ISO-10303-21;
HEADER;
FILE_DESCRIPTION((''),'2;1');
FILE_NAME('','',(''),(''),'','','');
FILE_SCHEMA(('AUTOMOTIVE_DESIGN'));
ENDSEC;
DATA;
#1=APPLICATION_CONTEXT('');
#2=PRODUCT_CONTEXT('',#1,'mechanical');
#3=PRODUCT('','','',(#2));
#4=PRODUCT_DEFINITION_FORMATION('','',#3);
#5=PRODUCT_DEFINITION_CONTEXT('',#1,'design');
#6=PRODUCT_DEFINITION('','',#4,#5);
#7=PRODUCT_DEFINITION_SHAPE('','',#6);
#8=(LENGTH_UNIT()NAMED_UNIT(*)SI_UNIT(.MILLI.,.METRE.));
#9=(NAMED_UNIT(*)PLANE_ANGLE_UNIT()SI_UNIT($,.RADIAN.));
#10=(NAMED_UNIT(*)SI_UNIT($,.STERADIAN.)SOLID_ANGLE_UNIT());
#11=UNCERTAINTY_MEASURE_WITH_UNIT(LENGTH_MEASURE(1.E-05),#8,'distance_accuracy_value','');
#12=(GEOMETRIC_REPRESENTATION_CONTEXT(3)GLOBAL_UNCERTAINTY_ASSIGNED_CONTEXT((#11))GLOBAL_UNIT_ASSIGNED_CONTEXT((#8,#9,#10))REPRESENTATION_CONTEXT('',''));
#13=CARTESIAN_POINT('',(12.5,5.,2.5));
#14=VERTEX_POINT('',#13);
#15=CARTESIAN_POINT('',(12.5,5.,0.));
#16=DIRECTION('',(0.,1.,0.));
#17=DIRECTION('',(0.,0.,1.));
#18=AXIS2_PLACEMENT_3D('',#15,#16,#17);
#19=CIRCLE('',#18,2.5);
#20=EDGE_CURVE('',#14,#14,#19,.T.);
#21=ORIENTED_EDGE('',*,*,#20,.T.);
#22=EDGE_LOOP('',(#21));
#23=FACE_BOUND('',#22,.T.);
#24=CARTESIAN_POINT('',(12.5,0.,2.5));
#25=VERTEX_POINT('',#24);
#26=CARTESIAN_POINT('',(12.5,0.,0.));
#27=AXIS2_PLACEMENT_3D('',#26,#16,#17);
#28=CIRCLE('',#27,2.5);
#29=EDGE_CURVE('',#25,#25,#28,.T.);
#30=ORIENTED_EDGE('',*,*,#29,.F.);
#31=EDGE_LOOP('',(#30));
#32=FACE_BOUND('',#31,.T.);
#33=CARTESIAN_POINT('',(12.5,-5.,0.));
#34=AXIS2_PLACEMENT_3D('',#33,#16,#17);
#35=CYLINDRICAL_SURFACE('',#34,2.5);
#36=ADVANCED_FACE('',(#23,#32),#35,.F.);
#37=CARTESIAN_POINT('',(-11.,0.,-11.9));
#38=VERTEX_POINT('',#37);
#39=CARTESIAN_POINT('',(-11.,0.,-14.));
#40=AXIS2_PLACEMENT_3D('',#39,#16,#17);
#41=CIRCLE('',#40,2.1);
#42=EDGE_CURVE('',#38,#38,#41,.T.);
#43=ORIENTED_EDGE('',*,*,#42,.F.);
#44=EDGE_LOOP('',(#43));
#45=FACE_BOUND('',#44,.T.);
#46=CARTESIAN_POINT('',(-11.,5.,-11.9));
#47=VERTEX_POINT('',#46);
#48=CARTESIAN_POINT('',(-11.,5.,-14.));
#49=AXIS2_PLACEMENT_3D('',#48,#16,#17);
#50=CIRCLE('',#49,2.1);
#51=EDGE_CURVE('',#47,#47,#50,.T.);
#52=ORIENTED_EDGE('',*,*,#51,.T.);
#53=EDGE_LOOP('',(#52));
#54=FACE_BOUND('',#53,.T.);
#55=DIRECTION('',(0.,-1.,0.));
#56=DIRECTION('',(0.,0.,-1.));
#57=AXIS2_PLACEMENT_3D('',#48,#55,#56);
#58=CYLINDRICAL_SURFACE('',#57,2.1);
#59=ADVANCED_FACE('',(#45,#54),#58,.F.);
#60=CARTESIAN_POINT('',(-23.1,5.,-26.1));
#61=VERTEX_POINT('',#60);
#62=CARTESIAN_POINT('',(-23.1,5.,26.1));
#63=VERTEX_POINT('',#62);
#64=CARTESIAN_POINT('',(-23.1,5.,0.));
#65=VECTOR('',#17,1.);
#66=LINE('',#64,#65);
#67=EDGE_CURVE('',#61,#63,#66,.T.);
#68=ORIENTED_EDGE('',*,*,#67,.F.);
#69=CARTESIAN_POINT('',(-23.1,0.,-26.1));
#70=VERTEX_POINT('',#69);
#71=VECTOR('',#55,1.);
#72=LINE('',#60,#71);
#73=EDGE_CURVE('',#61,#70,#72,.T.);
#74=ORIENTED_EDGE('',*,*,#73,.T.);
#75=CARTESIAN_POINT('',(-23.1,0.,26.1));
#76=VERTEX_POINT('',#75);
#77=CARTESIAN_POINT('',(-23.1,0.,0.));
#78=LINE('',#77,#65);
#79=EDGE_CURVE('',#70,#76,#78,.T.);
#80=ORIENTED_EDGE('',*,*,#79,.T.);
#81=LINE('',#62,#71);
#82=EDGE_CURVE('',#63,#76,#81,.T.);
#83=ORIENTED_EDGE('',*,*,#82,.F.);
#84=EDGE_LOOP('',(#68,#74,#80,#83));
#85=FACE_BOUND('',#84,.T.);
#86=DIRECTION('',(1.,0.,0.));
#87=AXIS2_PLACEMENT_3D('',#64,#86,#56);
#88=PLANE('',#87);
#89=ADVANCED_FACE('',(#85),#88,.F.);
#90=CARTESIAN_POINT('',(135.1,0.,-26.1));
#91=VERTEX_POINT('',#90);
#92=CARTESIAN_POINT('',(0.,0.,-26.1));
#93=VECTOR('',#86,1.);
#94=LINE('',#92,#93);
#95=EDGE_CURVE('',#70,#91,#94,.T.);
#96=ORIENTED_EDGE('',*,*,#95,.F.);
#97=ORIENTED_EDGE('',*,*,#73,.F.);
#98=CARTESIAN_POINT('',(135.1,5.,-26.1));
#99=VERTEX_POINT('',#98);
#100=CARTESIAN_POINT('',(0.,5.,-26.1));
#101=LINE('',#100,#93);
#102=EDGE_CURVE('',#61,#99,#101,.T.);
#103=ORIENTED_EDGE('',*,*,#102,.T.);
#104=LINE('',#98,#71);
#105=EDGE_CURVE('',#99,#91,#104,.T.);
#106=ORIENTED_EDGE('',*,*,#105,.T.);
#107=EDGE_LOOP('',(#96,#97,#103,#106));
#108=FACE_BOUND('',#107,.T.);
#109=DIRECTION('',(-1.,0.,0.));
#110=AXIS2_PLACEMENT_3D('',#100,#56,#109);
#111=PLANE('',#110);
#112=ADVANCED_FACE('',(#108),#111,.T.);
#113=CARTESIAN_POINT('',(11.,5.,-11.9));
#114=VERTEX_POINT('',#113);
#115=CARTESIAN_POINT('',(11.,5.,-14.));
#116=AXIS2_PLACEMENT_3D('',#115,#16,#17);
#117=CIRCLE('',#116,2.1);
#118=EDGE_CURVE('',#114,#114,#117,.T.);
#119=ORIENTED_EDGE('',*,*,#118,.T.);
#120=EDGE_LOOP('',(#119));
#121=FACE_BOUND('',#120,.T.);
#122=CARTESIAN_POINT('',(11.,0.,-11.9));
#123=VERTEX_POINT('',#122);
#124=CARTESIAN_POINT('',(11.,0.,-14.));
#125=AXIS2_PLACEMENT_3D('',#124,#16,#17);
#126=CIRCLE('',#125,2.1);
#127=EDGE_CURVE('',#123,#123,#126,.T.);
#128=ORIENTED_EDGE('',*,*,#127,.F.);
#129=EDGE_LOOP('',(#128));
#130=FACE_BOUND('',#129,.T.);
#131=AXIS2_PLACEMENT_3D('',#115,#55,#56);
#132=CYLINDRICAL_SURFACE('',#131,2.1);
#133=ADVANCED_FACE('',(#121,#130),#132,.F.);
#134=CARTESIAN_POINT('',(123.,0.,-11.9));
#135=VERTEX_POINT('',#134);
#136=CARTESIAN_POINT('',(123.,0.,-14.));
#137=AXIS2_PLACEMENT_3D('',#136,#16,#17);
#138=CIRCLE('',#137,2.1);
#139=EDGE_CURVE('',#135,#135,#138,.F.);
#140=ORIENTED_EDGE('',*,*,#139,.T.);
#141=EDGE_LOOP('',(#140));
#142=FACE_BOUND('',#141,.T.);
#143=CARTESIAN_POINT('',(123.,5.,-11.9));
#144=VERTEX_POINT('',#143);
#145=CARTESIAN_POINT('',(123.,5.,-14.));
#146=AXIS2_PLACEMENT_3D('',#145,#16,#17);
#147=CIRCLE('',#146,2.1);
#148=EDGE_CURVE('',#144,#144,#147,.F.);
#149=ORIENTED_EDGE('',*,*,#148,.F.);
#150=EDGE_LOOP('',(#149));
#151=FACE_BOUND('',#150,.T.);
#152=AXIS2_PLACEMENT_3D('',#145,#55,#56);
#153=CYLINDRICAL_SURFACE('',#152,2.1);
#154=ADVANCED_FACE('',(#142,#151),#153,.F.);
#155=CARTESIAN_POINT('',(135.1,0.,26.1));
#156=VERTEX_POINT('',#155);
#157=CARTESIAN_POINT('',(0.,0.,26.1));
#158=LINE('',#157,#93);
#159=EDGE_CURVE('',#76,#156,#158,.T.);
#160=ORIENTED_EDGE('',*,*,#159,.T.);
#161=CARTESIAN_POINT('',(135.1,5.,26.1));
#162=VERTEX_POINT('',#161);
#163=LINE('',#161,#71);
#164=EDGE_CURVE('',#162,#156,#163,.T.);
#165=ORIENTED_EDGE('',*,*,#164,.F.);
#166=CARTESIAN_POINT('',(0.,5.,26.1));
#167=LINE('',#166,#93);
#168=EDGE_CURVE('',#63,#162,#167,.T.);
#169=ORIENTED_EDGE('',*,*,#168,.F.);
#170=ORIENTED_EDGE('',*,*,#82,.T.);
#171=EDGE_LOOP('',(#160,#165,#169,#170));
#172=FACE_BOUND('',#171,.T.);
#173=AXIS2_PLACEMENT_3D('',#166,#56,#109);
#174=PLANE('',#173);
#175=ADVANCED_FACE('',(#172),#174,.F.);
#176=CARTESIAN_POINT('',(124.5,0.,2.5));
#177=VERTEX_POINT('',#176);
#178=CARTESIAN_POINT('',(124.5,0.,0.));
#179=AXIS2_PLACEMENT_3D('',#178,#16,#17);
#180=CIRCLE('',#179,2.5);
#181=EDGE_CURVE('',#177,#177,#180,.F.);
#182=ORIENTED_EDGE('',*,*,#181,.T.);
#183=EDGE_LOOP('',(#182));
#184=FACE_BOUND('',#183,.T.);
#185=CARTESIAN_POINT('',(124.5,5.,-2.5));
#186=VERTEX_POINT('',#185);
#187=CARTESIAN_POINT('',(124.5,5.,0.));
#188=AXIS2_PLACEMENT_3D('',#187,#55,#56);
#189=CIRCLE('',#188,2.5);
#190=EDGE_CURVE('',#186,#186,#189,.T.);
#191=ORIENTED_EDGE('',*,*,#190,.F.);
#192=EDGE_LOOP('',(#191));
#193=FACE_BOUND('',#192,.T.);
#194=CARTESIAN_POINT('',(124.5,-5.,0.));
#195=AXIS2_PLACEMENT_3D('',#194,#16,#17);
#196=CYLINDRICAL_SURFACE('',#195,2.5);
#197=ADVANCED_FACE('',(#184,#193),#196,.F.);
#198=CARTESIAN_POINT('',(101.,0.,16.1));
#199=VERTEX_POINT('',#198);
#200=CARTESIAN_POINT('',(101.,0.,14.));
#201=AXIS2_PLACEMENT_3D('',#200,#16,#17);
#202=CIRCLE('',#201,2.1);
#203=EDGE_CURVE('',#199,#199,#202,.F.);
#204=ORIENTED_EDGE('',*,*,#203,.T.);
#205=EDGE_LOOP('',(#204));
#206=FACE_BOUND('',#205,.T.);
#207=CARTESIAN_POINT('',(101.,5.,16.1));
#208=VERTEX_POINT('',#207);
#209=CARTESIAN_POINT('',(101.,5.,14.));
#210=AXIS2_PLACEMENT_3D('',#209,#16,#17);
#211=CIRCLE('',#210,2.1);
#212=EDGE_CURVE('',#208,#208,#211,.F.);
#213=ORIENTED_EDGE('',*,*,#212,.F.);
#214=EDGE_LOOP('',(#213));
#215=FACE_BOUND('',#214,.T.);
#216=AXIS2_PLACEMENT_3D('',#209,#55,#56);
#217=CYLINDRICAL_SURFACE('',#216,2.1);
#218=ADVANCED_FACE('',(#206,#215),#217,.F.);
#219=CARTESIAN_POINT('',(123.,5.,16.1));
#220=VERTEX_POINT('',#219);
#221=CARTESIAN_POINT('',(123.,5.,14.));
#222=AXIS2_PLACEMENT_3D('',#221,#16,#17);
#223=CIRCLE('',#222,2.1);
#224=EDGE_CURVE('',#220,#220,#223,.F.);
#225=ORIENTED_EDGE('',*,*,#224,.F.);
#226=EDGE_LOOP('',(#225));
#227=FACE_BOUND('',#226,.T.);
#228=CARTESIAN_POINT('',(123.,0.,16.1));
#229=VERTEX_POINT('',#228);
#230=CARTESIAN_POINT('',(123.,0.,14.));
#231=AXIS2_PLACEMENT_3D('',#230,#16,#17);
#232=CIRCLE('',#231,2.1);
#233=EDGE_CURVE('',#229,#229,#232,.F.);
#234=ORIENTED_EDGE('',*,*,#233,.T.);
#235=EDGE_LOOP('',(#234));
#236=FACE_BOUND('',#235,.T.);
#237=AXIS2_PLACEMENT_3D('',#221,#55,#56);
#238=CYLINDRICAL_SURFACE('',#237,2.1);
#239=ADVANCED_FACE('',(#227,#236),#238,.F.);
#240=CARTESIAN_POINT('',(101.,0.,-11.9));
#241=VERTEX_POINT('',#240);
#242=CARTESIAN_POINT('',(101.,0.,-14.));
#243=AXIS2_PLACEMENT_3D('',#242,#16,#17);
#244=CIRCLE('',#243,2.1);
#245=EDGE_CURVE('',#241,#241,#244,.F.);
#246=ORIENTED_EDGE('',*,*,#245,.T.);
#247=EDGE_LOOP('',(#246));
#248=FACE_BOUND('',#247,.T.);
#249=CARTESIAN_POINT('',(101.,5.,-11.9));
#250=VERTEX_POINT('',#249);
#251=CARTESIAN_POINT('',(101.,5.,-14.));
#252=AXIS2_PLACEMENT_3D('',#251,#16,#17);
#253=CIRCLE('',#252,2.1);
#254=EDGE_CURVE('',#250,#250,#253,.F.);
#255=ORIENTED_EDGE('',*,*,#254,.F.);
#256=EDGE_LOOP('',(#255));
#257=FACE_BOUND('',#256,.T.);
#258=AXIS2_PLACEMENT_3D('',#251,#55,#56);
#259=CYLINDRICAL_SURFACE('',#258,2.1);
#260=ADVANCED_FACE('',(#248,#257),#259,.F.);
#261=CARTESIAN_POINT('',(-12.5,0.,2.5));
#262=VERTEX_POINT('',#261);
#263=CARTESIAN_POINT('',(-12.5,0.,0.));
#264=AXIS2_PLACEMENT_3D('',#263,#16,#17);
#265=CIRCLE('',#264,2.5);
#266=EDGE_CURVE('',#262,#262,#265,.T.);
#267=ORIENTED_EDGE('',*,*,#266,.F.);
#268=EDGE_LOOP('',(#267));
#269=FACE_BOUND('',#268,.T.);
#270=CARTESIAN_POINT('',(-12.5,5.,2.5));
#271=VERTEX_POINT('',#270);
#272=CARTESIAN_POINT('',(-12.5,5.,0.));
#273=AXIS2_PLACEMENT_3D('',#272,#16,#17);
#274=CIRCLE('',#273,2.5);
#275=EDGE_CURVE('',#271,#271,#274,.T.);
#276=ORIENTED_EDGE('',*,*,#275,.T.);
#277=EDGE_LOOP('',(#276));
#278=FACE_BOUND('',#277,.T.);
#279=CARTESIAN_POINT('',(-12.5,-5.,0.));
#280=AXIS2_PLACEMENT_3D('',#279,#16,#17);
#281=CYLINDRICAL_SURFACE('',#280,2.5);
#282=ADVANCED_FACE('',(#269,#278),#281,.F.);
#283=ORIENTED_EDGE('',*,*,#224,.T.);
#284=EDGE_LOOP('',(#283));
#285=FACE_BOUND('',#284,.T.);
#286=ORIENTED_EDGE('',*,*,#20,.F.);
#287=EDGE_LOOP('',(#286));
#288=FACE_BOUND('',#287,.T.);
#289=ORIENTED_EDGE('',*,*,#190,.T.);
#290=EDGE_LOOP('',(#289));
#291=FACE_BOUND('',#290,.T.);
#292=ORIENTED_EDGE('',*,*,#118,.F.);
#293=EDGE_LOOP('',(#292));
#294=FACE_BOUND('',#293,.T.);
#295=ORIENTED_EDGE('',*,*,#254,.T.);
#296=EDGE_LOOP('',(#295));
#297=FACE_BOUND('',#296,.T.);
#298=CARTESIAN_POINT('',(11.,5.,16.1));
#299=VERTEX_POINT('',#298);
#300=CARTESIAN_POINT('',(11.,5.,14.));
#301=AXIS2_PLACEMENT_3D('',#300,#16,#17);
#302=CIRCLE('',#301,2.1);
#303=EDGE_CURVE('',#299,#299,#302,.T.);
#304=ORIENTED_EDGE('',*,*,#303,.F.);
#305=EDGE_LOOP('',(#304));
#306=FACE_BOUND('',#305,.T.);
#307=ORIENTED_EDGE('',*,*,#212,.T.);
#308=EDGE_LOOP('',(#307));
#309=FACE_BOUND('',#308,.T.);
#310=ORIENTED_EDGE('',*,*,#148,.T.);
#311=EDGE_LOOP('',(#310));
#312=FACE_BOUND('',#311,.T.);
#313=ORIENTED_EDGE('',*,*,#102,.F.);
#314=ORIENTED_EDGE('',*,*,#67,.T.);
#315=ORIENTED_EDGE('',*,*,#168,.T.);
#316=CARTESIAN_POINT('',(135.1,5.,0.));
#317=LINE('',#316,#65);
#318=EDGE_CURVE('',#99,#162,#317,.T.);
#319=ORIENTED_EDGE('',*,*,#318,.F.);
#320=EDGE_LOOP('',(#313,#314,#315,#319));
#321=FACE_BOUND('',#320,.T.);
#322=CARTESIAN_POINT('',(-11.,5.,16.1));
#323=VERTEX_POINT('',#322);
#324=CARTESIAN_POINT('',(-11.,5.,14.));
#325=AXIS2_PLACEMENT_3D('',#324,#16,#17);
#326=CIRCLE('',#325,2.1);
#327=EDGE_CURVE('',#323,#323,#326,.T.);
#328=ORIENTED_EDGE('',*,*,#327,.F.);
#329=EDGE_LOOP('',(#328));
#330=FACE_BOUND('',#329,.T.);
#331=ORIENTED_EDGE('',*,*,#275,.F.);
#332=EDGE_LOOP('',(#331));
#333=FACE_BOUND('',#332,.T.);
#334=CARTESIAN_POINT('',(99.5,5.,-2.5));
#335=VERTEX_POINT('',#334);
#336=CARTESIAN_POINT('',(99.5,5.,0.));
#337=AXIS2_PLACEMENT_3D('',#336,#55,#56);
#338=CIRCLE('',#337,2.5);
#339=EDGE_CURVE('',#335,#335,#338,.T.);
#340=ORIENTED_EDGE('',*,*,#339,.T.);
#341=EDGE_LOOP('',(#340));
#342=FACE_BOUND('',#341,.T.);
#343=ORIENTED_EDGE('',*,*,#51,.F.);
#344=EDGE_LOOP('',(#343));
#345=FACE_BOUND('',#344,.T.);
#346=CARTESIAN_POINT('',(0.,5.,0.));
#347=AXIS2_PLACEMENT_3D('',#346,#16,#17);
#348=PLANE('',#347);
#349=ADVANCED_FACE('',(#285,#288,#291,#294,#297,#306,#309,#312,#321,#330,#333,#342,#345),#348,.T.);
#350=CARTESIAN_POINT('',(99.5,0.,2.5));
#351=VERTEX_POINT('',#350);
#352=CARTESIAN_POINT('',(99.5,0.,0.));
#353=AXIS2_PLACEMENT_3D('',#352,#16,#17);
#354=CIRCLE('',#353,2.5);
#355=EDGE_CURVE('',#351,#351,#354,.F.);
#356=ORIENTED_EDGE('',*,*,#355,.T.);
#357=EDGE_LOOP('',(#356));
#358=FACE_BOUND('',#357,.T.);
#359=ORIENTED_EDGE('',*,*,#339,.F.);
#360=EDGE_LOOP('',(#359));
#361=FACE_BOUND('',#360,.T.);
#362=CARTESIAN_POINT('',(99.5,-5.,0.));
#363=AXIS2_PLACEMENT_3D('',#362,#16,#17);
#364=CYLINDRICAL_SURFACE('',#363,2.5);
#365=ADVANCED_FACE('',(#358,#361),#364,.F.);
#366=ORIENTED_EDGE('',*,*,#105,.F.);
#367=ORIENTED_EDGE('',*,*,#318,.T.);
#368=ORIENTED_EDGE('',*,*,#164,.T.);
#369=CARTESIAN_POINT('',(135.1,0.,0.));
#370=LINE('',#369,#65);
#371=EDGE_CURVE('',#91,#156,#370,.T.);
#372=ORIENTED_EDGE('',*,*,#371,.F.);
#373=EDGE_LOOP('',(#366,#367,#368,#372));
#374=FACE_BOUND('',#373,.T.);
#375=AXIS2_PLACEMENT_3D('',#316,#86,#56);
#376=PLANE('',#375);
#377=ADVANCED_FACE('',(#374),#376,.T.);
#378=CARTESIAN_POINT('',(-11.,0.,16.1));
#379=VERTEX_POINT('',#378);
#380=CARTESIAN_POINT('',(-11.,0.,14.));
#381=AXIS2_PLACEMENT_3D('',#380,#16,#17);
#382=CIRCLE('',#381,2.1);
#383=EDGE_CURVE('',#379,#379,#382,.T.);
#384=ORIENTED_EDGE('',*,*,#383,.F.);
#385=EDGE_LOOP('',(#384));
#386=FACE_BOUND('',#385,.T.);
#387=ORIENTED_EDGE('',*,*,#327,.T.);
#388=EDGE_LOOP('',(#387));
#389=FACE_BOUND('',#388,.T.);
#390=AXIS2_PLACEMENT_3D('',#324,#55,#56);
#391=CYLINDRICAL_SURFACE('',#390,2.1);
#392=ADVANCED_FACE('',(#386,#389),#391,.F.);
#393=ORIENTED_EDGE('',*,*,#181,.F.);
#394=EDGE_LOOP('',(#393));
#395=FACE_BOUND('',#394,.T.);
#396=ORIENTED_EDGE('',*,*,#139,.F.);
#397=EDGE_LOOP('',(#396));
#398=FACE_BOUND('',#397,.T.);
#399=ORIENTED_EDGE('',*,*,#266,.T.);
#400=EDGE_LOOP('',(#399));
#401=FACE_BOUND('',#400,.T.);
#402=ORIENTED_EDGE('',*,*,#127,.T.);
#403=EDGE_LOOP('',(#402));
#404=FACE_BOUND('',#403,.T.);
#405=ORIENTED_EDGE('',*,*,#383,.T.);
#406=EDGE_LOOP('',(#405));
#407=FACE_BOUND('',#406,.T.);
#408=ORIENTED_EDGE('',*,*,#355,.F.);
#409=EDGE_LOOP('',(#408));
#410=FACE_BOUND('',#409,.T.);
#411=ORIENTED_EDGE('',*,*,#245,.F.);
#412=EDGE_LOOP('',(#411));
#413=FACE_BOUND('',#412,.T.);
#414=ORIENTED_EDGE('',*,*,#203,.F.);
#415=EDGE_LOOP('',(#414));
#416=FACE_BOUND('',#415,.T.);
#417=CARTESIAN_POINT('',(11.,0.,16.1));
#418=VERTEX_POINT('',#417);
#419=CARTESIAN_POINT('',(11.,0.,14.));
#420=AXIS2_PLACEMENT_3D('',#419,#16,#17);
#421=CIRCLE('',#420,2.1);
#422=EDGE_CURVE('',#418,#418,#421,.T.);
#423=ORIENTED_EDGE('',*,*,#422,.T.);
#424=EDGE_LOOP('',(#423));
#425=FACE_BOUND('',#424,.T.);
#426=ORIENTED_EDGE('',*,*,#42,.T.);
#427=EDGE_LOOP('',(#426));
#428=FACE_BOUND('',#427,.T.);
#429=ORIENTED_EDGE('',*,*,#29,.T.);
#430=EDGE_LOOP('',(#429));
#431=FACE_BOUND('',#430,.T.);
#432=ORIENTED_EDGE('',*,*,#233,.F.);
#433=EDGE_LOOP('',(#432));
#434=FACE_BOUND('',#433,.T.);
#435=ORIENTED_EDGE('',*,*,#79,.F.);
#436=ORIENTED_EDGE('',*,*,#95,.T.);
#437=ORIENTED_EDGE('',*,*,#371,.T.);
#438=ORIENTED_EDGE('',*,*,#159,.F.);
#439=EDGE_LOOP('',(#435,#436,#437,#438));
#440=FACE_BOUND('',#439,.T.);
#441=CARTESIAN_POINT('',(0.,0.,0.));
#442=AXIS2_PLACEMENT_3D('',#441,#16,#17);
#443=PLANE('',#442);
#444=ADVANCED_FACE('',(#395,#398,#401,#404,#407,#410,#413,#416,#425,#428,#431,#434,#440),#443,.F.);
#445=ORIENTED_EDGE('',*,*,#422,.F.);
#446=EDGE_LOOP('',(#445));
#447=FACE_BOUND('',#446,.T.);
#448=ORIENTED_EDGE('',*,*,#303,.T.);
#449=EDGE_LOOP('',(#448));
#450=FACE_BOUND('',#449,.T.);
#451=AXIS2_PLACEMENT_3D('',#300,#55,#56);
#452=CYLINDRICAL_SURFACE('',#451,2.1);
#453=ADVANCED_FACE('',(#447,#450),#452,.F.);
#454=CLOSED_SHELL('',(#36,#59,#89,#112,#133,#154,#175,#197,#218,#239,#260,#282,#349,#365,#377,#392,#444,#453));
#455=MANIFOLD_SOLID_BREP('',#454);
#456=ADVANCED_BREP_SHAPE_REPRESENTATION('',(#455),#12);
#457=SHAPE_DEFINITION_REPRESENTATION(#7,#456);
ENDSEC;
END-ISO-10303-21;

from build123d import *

# Parameters (mm, degrees)
SKETCH1_W           = 158.200000305
SKETCH1_H           = 52.2
SKETCH1_R           = 2.1
BOSS_EXTRUDE1_DEPTH = 5
SKETCH2_R           = 2.5
CUT_EXTRUDE1_DEPTH  = 10


with BuildPart() as part:
    # Sketch1 → Boss-Extrude1 (new body)
    with BuildSketch(Plane(origin=(0, 0, 0), x_dir=(1, 0, 0), z_dir=(0, 1, 0))):
        with Locations((56.000000153, 0)):
            Rectangle(SKETCH1_W, SKETCH1_H)
        with Locations(Location((-11, 14, 0), (0, 0, 270))):
            Circle(SKETCH1_R, mode=Mode.SUBTRACT)
        with Locations(Location((11, 14, 0), (0, 0, 270))):
            Circle(SKETCH1_R, mode=Mode.SUBTRACT)
        with Locations(Location((11, -14, 0), (0, 0, 270))):
            Circle(SKETCH1_R, mode=Mode.SUBTRACT)
        with Locations(Location((-11, -14, 0), (0, 0, 270))):
            Circle(SKETCH1_R, mode=Mode.SUBTRACT)
        with Locations(Location((123.000000305, -14, 0), (0, 0, 270))):
            Circle(SKETCH1_R, mode=Mode.SUBTRACT)
        with Locations(Location((101.000000305, -14, 0), (0, 0, 270))):
            Circle(SKETCH1_R, mode=Mode.SUBTRACT)
        with Locations(Location((101.000000305, 14, 0), (0, 0, 270))):
            Circle(SKETCH1_R, mode=Mode.SUBTRACT)
        with Locations(Location((123.000000305, 14, 0), (0, 0, 270))):
            Circle(SKETCH1_R, mode=Mode.SUBTRACT)
    extrude(amount=BOSS_EXTRUDE1_DEPTH)

    # Sketch2 → Cut-Extrude1 (cut)
    with BuildSketch(Plane(origin=(0, 5, 0), x_dir=(1, 0, 0), z_dir=(0, 1, 0))):
        with Locations(Location((12.5, 0, 0), (0, 0, 270))):
            Circle(SKETCH2_R)
        with Locations(Location((-12.5, 0, 0), (0, 0, 270))):
            Circle(SKETCH2_R)
        with Locations(Location((99.500000305, 0, 0), (0, 0, 270))):
            Circle(SKETCH2_R)
        with Locations(Location((124.500000305, 0, 0), (0, 0, 270))):
            Circle(SKETCH2_R)
    extrude(amount=-CUT_EXTRUDE1_DEPTH, mode=Mode.SUBTRACT)


solid = part.part
